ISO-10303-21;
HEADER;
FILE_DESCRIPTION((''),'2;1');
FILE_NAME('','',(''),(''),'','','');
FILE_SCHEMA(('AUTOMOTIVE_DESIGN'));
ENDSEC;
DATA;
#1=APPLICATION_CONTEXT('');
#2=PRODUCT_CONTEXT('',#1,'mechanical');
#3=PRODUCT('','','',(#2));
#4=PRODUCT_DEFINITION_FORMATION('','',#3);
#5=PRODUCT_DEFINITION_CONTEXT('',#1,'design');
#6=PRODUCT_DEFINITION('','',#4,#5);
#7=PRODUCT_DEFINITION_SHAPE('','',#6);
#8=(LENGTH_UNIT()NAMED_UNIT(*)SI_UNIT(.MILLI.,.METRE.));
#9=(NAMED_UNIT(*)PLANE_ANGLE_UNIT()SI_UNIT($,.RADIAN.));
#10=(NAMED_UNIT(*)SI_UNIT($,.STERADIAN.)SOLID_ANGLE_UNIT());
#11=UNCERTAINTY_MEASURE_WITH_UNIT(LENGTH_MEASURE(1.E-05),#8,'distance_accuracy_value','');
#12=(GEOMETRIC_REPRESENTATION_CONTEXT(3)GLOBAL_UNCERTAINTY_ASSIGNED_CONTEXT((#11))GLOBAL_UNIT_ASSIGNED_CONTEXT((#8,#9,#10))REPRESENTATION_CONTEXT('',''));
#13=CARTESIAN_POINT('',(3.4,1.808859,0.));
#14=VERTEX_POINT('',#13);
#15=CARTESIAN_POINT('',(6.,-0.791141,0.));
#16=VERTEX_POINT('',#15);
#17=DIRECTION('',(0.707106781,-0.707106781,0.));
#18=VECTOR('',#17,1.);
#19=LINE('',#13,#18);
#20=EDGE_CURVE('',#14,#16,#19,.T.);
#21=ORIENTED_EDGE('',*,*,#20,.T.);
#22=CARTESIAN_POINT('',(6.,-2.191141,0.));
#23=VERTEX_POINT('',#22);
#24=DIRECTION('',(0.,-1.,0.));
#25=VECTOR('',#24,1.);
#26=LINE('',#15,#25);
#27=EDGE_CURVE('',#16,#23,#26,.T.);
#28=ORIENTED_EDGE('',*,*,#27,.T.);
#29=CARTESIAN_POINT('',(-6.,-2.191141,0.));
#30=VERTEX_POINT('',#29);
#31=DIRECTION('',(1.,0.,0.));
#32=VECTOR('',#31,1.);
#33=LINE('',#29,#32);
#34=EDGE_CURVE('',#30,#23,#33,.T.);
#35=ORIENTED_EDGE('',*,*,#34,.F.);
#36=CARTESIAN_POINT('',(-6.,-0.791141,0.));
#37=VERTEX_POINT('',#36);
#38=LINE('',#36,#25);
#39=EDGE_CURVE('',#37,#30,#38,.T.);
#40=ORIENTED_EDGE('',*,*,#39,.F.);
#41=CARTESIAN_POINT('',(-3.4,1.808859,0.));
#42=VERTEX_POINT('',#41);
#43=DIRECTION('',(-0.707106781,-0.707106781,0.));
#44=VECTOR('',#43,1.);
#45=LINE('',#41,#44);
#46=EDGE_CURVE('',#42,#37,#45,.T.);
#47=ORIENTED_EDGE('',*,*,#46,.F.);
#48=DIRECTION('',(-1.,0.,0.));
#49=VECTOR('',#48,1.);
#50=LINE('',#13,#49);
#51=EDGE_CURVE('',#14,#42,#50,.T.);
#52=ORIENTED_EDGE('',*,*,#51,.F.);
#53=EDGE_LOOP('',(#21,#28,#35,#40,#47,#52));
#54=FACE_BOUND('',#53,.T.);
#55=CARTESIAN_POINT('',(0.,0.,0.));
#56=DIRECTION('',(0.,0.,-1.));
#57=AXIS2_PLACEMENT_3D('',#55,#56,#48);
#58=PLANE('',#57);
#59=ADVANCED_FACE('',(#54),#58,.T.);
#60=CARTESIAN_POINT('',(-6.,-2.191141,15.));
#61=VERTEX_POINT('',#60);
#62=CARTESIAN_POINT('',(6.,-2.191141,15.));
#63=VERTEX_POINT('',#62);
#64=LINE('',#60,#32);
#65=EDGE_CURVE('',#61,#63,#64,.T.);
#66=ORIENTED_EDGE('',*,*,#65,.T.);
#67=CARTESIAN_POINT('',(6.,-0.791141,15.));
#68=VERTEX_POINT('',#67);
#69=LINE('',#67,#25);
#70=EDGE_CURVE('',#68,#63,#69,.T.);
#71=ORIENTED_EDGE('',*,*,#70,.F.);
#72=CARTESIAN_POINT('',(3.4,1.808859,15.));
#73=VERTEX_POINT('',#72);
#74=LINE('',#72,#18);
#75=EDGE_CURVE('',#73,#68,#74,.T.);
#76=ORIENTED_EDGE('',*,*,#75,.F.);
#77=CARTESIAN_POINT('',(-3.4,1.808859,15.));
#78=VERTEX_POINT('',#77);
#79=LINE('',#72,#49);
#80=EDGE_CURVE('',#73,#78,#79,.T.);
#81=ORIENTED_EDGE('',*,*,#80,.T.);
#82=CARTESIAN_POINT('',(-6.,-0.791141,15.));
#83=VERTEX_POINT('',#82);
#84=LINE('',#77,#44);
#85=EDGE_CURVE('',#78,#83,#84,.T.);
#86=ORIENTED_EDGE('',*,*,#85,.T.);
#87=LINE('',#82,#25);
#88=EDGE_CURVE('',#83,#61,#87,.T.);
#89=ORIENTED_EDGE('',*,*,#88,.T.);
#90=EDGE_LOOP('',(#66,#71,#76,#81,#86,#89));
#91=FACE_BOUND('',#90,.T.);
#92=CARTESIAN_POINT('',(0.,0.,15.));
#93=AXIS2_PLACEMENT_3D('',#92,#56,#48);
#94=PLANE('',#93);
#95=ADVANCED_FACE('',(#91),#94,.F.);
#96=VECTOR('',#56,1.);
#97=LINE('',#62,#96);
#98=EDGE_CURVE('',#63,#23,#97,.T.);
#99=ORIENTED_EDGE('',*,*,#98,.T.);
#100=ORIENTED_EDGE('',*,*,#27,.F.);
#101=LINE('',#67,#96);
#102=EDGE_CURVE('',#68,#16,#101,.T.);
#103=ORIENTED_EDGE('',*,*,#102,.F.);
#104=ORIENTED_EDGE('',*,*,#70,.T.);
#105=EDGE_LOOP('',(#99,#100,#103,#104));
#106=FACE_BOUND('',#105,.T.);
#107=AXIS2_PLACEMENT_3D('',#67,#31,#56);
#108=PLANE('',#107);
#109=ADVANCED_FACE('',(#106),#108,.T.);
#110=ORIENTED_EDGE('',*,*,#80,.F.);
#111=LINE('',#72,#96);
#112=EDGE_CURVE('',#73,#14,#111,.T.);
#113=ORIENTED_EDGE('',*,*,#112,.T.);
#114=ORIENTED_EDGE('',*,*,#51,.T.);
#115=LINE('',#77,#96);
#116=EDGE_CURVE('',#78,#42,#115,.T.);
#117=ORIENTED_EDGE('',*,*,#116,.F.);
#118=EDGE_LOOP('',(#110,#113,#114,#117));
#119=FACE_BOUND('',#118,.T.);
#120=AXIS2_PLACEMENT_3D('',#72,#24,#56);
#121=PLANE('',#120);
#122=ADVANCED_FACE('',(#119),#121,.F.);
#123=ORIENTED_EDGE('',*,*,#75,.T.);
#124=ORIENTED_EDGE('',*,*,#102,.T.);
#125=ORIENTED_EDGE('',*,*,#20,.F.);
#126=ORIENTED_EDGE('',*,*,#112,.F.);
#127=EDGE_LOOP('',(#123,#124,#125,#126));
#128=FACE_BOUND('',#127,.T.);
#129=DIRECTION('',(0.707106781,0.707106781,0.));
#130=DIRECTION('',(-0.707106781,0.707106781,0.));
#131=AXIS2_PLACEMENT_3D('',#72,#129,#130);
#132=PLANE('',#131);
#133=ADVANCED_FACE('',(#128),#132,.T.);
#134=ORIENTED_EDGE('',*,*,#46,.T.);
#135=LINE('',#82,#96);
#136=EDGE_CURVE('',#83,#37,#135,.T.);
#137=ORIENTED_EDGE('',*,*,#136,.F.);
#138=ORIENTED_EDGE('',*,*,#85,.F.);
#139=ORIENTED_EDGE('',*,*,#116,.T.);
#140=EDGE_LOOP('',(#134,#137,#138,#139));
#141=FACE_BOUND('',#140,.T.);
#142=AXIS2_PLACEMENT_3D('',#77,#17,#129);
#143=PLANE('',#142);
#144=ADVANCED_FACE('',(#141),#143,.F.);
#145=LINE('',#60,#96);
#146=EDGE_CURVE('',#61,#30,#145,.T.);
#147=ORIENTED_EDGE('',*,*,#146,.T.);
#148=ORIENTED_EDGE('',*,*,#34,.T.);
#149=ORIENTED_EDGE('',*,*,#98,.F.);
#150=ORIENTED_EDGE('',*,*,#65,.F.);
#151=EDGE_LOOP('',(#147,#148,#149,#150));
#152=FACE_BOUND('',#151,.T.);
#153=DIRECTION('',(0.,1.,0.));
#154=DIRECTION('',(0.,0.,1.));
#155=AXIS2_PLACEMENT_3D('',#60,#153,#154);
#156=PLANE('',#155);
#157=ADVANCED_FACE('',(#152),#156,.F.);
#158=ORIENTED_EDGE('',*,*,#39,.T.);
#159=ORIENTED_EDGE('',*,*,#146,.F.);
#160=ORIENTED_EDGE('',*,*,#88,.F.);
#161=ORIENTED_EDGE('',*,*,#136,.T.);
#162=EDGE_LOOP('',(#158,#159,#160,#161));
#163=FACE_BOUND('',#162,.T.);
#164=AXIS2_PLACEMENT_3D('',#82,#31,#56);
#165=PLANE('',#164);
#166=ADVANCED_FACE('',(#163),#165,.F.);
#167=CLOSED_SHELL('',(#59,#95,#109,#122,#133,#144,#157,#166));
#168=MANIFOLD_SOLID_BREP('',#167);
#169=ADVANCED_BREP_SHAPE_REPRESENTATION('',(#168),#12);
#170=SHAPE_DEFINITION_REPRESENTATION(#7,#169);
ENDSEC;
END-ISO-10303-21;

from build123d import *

# Parameters (mm, degrees)
AUFSATZ_LINEAR_AUSTRAGEN1_DEPTH = 15


with BuildPart() as part:
    # Skizze1 → Aufsatz-Linear austragen1 (new body)
    with BuildSketch(Plane.XY):
        Polygon((3.4, 1.808858787), (-3.4, 1.808858787), (-6, -0.791141213), (-6, -2.191141213), (6, -2.191141213), (6, -0.791141213), align=None)
    extrude(amount=AUFSATZ_LINEAR_AUSTRAGEN1_DEPTH)


solid = part.part
